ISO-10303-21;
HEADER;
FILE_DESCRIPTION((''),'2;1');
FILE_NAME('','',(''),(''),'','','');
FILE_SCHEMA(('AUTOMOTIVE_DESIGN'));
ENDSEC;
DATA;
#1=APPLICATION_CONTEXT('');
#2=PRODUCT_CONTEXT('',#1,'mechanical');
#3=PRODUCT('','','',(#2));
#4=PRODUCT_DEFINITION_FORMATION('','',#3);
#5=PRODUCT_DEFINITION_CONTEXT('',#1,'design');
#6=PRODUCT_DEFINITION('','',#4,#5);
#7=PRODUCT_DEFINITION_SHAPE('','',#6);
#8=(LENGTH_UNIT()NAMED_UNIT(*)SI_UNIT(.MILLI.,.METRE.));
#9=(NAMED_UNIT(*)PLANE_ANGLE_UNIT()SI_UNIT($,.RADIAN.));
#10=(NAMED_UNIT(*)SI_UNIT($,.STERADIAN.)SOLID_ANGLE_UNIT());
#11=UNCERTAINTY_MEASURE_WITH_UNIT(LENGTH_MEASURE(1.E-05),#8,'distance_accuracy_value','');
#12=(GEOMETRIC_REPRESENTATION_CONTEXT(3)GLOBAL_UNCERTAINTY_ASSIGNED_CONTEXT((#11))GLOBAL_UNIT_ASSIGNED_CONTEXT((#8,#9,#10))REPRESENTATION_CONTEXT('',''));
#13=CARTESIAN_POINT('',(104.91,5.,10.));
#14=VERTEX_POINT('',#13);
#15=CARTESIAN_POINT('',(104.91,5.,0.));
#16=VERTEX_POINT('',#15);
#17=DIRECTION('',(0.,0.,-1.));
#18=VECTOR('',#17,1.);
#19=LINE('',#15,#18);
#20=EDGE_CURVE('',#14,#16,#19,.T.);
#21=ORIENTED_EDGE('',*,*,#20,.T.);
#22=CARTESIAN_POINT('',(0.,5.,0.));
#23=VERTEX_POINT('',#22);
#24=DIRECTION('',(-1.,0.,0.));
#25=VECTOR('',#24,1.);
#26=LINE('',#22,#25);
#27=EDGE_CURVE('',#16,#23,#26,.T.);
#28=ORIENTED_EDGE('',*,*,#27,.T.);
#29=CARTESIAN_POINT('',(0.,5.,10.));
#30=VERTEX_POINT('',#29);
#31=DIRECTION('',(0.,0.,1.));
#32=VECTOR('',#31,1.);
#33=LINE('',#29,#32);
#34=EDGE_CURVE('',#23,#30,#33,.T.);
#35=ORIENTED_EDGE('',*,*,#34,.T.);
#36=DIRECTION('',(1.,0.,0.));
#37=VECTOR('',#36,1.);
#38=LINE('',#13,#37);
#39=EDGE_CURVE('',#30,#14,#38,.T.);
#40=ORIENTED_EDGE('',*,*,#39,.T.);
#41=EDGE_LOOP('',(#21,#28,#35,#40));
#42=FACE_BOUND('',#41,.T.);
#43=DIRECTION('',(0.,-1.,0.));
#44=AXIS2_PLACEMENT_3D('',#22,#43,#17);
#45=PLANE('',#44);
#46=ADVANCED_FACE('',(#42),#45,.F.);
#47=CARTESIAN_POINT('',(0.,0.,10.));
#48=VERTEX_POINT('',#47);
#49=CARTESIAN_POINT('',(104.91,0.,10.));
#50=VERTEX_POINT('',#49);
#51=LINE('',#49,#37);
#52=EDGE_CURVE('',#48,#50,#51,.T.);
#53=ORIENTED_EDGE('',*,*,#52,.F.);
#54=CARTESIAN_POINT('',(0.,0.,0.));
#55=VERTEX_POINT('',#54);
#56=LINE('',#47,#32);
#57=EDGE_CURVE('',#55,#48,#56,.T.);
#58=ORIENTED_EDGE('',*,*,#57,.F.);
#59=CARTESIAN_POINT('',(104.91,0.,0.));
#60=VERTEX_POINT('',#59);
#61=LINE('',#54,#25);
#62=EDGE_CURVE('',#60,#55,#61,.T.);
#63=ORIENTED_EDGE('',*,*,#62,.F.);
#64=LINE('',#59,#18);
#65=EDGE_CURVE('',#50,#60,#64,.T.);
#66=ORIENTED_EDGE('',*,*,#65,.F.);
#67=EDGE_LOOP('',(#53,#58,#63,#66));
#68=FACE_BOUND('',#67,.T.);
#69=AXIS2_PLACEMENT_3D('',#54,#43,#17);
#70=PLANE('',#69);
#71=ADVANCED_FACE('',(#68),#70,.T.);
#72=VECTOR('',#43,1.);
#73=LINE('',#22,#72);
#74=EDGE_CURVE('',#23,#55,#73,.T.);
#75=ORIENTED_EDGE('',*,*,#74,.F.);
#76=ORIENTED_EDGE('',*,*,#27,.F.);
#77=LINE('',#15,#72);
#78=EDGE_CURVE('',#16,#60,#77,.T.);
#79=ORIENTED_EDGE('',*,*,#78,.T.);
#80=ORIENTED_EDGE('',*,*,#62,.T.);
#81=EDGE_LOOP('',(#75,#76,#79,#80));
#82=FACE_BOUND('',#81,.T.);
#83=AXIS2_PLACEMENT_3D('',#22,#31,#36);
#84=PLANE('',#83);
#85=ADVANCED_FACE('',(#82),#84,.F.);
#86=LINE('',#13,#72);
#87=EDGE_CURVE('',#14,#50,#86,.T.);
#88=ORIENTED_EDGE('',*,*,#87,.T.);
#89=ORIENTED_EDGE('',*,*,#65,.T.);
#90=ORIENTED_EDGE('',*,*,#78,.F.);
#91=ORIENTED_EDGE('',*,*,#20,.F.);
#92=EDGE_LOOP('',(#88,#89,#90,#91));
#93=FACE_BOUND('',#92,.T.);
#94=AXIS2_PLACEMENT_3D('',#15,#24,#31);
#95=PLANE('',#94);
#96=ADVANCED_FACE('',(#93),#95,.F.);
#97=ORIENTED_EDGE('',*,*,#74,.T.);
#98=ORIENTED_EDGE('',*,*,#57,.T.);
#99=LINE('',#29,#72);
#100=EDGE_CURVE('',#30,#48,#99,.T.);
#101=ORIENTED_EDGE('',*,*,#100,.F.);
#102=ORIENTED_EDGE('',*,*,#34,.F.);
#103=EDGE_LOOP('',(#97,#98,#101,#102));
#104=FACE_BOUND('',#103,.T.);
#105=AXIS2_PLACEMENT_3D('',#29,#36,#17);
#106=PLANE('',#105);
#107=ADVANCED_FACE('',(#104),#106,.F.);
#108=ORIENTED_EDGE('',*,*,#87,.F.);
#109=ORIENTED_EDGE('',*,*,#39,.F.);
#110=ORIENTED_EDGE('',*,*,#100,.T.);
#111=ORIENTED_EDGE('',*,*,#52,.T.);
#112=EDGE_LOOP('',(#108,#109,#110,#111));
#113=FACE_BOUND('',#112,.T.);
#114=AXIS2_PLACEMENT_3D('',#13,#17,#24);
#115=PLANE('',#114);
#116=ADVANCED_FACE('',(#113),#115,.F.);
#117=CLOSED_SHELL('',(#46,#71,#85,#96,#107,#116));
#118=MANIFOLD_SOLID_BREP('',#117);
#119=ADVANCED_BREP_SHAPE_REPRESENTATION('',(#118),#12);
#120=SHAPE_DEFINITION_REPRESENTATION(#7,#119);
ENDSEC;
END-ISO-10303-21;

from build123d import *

# Parameters (mm, degrees)
SKETCH_1_W      = 104.91
SKETCH_1_H      = 10
EXTRUDE_1_DEPTH = 5


with BuildPart() as part:
    # 草图1 → 凸台-拉伸1 (new body)
    with BuildSketch(Plane(origin=(0, 0, 0), x_dir=(1, 0, 0), z_dir=(0, 1, 0))):
        with Locations((52.455, -5)):
            Rectangle(SKETCH_1_W, SKETCH_1_H)
    extrude(amount=EXTRUDE_1_DEPTH)


solid = part.part
